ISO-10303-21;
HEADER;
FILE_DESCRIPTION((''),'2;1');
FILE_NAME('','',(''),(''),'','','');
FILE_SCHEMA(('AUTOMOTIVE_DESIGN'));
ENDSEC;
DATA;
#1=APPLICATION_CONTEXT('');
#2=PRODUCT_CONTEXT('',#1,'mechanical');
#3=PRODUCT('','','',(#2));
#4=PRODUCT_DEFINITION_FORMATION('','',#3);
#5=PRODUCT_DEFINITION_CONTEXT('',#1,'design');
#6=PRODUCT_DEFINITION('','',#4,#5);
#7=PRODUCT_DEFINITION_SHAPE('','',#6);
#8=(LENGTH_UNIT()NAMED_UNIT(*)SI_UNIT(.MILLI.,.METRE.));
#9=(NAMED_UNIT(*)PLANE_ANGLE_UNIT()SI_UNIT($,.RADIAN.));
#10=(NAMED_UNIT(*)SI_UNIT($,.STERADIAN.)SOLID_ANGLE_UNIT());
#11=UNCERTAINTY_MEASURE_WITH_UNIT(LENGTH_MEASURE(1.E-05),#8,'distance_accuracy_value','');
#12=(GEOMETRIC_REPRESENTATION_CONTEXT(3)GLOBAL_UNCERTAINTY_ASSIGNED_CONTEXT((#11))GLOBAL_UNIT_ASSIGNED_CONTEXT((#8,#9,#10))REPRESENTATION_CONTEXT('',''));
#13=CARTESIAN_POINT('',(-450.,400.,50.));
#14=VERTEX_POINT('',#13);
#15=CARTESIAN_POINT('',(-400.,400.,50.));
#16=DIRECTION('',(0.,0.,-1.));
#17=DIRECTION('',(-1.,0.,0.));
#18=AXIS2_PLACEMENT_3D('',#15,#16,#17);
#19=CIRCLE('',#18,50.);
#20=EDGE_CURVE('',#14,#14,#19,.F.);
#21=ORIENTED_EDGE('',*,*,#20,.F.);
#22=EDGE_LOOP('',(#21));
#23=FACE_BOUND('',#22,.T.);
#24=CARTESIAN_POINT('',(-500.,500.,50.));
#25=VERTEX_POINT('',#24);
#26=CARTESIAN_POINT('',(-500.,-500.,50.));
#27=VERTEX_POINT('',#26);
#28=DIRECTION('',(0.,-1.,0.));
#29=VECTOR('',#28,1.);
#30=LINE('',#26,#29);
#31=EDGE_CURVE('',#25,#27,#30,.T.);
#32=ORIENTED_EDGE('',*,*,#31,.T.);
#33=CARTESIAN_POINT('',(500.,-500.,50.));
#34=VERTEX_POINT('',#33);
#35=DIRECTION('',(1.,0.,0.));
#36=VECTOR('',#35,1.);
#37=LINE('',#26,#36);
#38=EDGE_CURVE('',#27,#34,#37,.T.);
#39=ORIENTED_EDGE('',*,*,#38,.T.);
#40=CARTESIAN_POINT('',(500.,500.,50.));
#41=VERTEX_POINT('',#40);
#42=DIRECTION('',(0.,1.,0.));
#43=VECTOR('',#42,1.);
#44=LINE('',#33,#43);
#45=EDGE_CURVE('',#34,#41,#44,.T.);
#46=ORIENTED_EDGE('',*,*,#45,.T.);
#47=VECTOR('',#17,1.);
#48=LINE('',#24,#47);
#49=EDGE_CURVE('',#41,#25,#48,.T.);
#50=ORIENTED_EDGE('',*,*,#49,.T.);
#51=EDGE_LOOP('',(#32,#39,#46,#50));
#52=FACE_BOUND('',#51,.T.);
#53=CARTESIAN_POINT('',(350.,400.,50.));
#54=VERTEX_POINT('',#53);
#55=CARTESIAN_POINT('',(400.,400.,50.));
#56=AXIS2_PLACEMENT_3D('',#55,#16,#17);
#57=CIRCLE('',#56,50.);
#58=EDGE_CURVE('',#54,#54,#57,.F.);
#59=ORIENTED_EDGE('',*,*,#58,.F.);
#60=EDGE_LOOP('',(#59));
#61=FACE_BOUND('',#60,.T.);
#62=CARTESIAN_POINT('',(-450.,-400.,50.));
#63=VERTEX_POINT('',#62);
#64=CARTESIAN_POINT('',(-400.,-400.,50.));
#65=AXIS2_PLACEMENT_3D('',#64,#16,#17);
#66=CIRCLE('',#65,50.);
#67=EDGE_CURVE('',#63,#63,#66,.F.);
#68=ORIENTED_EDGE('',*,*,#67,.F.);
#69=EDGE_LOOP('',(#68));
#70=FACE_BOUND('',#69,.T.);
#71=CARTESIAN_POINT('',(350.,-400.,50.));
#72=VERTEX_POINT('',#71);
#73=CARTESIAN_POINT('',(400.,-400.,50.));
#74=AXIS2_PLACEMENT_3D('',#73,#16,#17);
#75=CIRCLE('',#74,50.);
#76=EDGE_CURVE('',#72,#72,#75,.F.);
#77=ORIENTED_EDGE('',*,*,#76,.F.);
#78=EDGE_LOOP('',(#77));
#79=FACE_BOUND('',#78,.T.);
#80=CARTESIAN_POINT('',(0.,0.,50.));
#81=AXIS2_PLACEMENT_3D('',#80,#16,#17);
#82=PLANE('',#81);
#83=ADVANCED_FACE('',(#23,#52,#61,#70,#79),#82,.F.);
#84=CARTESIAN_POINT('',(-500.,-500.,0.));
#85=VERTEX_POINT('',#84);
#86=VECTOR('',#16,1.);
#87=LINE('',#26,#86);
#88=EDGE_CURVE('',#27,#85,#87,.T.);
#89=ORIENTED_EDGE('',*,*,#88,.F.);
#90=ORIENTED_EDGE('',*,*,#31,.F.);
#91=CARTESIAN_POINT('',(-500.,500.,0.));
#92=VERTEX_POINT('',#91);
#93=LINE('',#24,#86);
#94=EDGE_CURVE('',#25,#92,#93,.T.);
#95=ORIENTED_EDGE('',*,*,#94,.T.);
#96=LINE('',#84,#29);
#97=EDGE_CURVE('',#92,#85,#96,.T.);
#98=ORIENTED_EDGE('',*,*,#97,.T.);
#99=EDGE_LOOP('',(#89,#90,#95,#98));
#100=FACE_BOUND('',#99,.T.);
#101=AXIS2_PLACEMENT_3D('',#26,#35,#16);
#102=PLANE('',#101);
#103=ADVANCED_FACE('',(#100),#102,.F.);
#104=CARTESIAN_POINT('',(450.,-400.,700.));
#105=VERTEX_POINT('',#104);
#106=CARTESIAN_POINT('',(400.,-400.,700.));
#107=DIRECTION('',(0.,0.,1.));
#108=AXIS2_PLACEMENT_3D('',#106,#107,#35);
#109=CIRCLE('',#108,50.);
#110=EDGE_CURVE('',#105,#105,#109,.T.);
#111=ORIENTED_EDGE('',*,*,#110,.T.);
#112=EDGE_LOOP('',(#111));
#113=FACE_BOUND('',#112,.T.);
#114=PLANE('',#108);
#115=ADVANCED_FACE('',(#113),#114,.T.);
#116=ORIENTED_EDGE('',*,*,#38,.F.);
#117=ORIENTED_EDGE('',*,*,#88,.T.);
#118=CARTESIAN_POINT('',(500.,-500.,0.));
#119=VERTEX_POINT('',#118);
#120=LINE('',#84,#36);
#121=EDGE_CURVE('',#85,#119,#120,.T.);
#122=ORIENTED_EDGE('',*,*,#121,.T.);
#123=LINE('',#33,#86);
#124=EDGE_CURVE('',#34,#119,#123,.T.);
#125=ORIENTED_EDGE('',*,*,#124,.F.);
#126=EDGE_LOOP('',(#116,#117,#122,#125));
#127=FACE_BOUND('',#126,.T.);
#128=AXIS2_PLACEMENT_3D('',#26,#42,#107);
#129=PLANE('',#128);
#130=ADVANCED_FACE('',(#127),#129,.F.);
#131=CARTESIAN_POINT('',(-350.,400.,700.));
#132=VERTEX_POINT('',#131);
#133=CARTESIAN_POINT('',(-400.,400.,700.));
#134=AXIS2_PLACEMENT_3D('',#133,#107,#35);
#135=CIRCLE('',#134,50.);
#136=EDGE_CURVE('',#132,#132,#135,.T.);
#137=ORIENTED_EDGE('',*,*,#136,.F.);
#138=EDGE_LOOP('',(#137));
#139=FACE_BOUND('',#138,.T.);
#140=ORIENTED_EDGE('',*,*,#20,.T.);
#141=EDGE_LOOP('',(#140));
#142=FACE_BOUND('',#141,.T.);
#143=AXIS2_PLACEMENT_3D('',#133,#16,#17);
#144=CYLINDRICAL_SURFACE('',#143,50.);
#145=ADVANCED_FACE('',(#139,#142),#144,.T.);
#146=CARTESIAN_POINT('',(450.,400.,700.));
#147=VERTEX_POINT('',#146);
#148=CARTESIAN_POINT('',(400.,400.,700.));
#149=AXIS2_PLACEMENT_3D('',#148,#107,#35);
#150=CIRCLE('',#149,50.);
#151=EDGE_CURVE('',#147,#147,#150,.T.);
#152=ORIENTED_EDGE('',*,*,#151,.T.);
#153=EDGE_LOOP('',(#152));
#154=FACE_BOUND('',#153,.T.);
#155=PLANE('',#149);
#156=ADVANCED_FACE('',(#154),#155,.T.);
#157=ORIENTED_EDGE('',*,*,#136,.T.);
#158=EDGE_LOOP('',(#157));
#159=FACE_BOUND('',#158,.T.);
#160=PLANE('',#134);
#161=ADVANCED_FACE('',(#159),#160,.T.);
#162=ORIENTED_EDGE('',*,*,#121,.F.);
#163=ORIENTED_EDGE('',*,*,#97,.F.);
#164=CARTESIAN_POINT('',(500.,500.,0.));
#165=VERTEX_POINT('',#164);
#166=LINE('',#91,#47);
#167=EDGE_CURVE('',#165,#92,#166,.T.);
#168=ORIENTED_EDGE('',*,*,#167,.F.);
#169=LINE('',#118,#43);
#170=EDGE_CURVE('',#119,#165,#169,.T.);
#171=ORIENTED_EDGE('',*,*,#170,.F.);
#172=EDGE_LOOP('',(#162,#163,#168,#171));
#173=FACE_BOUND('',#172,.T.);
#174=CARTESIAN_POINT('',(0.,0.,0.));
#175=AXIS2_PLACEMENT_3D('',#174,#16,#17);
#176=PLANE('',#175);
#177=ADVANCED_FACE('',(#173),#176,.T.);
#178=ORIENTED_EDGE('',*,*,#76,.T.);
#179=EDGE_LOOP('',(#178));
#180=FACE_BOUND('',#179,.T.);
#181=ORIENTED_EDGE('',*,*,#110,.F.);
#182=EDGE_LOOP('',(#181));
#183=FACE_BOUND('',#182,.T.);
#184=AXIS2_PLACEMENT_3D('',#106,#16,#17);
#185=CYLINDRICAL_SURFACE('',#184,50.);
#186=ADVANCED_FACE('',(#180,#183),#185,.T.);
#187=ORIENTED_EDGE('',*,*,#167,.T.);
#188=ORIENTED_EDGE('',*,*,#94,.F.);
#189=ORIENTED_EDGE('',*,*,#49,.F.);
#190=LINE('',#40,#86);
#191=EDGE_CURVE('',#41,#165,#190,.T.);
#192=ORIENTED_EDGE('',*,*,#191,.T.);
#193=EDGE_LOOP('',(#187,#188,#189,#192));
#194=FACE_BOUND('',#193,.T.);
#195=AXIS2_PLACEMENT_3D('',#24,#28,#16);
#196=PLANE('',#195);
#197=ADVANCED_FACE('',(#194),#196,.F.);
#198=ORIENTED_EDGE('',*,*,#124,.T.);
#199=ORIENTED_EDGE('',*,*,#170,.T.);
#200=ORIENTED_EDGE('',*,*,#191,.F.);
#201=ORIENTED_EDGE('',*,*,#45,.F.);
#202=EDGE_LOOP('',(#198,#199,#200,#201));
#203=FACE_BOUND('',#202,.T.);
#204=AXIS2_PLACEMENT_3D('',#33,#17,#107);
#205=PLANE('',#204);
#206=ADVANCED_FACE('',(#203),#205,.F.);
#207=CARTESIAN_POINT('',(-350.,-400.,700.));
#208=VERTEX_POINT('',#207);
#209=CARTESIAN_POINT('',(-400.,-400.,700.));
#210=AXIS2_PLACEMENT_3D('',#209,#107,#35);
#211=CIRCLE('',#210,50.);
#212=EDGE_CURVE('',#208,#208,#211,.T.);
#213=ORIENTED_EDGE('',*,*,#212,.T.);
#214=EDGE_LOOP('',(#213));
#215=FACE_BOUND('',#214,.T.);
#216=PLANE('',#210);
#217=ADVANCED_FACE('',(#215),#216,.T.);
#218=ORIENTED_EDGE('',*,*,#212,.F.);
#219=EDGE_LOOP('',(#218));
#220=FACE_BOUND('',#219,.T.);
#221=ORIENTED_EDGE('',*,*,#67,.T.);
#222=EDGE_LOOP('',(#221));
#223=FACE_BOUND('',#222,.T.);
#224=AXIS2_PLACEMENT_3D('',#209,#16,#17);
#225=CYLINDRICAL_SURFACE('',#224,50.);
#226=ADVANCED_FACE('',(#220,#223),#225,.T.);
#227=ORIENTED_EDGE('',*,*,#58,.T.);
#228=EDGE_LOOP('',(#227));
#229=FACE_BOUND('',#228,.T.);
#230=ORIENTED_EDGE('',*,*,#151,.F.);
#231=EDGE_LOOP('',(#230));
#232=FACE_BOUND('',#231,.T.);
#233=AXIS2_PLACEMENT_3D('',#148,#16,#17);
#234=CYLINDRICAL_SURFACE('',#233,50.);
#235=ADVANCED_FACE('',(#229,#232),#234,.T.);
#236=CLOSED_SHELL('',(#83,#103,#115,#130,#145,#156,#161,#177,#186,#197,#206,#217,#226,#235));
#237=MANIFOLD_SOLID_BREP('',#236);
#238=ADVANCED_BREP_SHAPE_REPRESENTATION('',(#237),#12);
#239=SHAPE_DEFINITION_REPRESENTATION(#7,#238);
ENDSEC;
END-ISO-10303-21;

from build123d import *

# Parameters (mm, degrees)
SKETCH_1_W      = 1000
SKETCH_1_H      = 1000
EXTRUDE_1_DEPTH = 50
SKETCH_2_R      = 50
EXTRUDE_2_DEPTH = 700
SKETCH_3_R      = 50
EXTRUDE_3_DEPTH = 700
SKETCH_4_R      = 50
EXTRUDE_4_DEPTH = 700
SKETCH_5_R      = 50
EXTRUDE_5_DEPTH = 700


with BuildPart() as part:
    # 草图1 → 凸台-拉伸1 (new body)
    with BuildSketch(Plane.XY):
        Rectangle(SKETCH_1_W, SKETCH_1_H)
    extrude(amount=EXTRUDE_1_DEPTH)

    # 草图2 → 凸台-拉伸2 (add)
    with BuildSketch(Plane.XY):
        with Locations(Location((400, 400, 0), (0, 0, 180))):
            Circle(SKETCH_2_R)
    extrude(amount=EXTRUDE_2_DEPTH)

    # 草图3 → 凸台-拉伸3 (add)
    with BuildSketch(Plane.XY):
        with Locations(Location((-400, 400, 0), (0, 0, 180))):
            Circle(SKETCH_3_R)
    extrude(amount=EXTRUDE_3_DEPTH)

    # 草图4 → 凸台-拉伸4 (add)
    with BuildSketch(Plane.XY):
        with Locations(Location((400, -400, 0), (0, 0, 180))):
            Circle(SKETCH_4_R)
    extrude(amount=EXTRUDE_4_DEPTH)

    # 草图5 → 凸台-拉伸5 (add)
    with BuildSketch(Plane.XY):
        with Locations(Location((-400, -400, 0), (0, 0, 180))):
            Circle(SKETCH_5_R)
    extrude(amount=EXTRUDE_5_DEPTH)


solid = part.part
